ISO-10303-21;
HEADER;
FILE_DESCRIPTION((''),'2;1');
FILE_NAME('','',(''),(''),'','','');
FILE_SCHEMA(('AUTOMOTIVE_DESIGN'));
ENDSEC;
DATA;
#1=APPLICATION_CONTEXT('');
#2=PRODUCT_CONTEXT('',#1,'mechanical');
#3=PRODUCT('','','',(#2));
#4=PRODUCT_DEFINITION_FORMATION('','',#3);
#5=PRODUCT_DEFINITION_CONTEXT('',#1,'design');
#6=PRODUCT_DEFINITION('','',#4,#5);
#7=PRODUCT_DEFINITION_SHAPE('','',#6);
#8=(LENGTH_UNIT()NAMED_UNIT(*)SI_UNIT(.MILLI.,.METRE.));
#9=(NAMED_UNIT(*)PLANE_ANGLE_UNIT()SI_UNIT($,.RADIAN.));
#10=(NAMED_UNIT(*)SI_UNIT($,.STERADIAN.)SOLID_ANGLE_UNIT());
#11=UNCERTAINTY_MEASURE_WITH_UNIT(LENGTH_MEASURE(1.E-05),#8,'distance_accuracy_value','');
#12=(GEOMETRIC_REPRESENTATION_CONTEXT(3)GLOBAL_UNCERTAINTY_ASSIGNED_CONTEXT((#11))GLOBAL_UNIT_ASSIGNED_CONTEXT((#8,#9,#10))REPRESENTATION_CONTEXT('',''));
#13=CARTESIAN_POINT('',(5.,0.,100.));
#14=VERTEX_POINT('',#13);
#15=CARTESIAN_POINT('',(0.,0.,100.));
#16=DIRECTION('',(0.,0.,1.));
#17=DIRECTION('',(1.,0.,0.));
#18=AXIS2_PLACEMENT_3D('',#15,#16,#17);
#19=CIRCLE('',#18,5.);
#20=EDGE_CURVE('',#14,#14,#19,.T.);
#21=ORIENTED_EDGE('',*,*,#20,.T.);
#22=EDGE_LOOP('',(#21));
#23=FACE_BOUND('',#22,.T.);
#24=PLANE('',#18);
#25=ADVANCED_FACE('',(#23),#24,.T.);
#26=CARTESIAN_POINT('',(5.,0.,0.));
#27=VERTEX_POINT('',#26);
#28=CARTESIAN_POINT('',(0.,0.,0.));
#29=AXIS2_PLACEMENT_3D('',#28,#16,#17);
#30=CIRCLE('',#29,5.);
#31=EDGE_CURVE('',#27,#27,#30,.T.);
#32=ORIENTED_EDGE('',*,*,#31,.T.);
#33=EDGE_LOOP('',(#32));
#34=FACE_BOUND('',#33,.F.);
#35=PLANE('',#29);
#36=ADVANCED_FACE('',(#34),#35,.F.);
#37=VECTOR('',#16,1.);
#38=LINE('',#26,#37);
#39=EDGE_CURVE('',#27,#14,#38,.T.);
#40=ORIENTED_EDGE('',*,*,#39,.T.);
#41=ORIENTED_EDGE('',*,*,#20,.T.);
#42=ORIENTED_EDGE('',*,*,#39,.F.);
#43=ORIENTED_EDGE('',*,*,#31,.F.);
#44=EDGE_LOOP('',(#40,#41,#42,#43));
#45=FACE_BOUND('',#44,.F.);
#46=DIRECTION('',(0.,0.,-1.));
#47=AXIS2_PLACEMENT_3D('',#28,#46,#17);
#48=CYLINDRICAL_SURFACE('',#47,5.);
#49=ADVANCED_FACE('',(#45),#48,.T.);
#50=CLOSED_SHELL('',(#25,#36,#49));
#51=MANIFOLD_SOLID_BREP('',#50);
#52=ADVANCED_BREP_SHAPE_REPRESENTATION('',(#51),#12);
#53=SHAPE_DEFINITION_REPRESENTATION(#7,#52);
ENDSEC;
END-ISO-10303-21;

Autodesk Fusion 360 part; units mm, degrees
sketch "Sketch1" plane through (0, 0, 0) normal (0, 0, 1) x (1, 0, 0)
  circle A0 centre (0, 0) radius 5
  dimension "d1" = 10
extrude "Extrude1" add sketch "Sketch1" along normal blind 100
